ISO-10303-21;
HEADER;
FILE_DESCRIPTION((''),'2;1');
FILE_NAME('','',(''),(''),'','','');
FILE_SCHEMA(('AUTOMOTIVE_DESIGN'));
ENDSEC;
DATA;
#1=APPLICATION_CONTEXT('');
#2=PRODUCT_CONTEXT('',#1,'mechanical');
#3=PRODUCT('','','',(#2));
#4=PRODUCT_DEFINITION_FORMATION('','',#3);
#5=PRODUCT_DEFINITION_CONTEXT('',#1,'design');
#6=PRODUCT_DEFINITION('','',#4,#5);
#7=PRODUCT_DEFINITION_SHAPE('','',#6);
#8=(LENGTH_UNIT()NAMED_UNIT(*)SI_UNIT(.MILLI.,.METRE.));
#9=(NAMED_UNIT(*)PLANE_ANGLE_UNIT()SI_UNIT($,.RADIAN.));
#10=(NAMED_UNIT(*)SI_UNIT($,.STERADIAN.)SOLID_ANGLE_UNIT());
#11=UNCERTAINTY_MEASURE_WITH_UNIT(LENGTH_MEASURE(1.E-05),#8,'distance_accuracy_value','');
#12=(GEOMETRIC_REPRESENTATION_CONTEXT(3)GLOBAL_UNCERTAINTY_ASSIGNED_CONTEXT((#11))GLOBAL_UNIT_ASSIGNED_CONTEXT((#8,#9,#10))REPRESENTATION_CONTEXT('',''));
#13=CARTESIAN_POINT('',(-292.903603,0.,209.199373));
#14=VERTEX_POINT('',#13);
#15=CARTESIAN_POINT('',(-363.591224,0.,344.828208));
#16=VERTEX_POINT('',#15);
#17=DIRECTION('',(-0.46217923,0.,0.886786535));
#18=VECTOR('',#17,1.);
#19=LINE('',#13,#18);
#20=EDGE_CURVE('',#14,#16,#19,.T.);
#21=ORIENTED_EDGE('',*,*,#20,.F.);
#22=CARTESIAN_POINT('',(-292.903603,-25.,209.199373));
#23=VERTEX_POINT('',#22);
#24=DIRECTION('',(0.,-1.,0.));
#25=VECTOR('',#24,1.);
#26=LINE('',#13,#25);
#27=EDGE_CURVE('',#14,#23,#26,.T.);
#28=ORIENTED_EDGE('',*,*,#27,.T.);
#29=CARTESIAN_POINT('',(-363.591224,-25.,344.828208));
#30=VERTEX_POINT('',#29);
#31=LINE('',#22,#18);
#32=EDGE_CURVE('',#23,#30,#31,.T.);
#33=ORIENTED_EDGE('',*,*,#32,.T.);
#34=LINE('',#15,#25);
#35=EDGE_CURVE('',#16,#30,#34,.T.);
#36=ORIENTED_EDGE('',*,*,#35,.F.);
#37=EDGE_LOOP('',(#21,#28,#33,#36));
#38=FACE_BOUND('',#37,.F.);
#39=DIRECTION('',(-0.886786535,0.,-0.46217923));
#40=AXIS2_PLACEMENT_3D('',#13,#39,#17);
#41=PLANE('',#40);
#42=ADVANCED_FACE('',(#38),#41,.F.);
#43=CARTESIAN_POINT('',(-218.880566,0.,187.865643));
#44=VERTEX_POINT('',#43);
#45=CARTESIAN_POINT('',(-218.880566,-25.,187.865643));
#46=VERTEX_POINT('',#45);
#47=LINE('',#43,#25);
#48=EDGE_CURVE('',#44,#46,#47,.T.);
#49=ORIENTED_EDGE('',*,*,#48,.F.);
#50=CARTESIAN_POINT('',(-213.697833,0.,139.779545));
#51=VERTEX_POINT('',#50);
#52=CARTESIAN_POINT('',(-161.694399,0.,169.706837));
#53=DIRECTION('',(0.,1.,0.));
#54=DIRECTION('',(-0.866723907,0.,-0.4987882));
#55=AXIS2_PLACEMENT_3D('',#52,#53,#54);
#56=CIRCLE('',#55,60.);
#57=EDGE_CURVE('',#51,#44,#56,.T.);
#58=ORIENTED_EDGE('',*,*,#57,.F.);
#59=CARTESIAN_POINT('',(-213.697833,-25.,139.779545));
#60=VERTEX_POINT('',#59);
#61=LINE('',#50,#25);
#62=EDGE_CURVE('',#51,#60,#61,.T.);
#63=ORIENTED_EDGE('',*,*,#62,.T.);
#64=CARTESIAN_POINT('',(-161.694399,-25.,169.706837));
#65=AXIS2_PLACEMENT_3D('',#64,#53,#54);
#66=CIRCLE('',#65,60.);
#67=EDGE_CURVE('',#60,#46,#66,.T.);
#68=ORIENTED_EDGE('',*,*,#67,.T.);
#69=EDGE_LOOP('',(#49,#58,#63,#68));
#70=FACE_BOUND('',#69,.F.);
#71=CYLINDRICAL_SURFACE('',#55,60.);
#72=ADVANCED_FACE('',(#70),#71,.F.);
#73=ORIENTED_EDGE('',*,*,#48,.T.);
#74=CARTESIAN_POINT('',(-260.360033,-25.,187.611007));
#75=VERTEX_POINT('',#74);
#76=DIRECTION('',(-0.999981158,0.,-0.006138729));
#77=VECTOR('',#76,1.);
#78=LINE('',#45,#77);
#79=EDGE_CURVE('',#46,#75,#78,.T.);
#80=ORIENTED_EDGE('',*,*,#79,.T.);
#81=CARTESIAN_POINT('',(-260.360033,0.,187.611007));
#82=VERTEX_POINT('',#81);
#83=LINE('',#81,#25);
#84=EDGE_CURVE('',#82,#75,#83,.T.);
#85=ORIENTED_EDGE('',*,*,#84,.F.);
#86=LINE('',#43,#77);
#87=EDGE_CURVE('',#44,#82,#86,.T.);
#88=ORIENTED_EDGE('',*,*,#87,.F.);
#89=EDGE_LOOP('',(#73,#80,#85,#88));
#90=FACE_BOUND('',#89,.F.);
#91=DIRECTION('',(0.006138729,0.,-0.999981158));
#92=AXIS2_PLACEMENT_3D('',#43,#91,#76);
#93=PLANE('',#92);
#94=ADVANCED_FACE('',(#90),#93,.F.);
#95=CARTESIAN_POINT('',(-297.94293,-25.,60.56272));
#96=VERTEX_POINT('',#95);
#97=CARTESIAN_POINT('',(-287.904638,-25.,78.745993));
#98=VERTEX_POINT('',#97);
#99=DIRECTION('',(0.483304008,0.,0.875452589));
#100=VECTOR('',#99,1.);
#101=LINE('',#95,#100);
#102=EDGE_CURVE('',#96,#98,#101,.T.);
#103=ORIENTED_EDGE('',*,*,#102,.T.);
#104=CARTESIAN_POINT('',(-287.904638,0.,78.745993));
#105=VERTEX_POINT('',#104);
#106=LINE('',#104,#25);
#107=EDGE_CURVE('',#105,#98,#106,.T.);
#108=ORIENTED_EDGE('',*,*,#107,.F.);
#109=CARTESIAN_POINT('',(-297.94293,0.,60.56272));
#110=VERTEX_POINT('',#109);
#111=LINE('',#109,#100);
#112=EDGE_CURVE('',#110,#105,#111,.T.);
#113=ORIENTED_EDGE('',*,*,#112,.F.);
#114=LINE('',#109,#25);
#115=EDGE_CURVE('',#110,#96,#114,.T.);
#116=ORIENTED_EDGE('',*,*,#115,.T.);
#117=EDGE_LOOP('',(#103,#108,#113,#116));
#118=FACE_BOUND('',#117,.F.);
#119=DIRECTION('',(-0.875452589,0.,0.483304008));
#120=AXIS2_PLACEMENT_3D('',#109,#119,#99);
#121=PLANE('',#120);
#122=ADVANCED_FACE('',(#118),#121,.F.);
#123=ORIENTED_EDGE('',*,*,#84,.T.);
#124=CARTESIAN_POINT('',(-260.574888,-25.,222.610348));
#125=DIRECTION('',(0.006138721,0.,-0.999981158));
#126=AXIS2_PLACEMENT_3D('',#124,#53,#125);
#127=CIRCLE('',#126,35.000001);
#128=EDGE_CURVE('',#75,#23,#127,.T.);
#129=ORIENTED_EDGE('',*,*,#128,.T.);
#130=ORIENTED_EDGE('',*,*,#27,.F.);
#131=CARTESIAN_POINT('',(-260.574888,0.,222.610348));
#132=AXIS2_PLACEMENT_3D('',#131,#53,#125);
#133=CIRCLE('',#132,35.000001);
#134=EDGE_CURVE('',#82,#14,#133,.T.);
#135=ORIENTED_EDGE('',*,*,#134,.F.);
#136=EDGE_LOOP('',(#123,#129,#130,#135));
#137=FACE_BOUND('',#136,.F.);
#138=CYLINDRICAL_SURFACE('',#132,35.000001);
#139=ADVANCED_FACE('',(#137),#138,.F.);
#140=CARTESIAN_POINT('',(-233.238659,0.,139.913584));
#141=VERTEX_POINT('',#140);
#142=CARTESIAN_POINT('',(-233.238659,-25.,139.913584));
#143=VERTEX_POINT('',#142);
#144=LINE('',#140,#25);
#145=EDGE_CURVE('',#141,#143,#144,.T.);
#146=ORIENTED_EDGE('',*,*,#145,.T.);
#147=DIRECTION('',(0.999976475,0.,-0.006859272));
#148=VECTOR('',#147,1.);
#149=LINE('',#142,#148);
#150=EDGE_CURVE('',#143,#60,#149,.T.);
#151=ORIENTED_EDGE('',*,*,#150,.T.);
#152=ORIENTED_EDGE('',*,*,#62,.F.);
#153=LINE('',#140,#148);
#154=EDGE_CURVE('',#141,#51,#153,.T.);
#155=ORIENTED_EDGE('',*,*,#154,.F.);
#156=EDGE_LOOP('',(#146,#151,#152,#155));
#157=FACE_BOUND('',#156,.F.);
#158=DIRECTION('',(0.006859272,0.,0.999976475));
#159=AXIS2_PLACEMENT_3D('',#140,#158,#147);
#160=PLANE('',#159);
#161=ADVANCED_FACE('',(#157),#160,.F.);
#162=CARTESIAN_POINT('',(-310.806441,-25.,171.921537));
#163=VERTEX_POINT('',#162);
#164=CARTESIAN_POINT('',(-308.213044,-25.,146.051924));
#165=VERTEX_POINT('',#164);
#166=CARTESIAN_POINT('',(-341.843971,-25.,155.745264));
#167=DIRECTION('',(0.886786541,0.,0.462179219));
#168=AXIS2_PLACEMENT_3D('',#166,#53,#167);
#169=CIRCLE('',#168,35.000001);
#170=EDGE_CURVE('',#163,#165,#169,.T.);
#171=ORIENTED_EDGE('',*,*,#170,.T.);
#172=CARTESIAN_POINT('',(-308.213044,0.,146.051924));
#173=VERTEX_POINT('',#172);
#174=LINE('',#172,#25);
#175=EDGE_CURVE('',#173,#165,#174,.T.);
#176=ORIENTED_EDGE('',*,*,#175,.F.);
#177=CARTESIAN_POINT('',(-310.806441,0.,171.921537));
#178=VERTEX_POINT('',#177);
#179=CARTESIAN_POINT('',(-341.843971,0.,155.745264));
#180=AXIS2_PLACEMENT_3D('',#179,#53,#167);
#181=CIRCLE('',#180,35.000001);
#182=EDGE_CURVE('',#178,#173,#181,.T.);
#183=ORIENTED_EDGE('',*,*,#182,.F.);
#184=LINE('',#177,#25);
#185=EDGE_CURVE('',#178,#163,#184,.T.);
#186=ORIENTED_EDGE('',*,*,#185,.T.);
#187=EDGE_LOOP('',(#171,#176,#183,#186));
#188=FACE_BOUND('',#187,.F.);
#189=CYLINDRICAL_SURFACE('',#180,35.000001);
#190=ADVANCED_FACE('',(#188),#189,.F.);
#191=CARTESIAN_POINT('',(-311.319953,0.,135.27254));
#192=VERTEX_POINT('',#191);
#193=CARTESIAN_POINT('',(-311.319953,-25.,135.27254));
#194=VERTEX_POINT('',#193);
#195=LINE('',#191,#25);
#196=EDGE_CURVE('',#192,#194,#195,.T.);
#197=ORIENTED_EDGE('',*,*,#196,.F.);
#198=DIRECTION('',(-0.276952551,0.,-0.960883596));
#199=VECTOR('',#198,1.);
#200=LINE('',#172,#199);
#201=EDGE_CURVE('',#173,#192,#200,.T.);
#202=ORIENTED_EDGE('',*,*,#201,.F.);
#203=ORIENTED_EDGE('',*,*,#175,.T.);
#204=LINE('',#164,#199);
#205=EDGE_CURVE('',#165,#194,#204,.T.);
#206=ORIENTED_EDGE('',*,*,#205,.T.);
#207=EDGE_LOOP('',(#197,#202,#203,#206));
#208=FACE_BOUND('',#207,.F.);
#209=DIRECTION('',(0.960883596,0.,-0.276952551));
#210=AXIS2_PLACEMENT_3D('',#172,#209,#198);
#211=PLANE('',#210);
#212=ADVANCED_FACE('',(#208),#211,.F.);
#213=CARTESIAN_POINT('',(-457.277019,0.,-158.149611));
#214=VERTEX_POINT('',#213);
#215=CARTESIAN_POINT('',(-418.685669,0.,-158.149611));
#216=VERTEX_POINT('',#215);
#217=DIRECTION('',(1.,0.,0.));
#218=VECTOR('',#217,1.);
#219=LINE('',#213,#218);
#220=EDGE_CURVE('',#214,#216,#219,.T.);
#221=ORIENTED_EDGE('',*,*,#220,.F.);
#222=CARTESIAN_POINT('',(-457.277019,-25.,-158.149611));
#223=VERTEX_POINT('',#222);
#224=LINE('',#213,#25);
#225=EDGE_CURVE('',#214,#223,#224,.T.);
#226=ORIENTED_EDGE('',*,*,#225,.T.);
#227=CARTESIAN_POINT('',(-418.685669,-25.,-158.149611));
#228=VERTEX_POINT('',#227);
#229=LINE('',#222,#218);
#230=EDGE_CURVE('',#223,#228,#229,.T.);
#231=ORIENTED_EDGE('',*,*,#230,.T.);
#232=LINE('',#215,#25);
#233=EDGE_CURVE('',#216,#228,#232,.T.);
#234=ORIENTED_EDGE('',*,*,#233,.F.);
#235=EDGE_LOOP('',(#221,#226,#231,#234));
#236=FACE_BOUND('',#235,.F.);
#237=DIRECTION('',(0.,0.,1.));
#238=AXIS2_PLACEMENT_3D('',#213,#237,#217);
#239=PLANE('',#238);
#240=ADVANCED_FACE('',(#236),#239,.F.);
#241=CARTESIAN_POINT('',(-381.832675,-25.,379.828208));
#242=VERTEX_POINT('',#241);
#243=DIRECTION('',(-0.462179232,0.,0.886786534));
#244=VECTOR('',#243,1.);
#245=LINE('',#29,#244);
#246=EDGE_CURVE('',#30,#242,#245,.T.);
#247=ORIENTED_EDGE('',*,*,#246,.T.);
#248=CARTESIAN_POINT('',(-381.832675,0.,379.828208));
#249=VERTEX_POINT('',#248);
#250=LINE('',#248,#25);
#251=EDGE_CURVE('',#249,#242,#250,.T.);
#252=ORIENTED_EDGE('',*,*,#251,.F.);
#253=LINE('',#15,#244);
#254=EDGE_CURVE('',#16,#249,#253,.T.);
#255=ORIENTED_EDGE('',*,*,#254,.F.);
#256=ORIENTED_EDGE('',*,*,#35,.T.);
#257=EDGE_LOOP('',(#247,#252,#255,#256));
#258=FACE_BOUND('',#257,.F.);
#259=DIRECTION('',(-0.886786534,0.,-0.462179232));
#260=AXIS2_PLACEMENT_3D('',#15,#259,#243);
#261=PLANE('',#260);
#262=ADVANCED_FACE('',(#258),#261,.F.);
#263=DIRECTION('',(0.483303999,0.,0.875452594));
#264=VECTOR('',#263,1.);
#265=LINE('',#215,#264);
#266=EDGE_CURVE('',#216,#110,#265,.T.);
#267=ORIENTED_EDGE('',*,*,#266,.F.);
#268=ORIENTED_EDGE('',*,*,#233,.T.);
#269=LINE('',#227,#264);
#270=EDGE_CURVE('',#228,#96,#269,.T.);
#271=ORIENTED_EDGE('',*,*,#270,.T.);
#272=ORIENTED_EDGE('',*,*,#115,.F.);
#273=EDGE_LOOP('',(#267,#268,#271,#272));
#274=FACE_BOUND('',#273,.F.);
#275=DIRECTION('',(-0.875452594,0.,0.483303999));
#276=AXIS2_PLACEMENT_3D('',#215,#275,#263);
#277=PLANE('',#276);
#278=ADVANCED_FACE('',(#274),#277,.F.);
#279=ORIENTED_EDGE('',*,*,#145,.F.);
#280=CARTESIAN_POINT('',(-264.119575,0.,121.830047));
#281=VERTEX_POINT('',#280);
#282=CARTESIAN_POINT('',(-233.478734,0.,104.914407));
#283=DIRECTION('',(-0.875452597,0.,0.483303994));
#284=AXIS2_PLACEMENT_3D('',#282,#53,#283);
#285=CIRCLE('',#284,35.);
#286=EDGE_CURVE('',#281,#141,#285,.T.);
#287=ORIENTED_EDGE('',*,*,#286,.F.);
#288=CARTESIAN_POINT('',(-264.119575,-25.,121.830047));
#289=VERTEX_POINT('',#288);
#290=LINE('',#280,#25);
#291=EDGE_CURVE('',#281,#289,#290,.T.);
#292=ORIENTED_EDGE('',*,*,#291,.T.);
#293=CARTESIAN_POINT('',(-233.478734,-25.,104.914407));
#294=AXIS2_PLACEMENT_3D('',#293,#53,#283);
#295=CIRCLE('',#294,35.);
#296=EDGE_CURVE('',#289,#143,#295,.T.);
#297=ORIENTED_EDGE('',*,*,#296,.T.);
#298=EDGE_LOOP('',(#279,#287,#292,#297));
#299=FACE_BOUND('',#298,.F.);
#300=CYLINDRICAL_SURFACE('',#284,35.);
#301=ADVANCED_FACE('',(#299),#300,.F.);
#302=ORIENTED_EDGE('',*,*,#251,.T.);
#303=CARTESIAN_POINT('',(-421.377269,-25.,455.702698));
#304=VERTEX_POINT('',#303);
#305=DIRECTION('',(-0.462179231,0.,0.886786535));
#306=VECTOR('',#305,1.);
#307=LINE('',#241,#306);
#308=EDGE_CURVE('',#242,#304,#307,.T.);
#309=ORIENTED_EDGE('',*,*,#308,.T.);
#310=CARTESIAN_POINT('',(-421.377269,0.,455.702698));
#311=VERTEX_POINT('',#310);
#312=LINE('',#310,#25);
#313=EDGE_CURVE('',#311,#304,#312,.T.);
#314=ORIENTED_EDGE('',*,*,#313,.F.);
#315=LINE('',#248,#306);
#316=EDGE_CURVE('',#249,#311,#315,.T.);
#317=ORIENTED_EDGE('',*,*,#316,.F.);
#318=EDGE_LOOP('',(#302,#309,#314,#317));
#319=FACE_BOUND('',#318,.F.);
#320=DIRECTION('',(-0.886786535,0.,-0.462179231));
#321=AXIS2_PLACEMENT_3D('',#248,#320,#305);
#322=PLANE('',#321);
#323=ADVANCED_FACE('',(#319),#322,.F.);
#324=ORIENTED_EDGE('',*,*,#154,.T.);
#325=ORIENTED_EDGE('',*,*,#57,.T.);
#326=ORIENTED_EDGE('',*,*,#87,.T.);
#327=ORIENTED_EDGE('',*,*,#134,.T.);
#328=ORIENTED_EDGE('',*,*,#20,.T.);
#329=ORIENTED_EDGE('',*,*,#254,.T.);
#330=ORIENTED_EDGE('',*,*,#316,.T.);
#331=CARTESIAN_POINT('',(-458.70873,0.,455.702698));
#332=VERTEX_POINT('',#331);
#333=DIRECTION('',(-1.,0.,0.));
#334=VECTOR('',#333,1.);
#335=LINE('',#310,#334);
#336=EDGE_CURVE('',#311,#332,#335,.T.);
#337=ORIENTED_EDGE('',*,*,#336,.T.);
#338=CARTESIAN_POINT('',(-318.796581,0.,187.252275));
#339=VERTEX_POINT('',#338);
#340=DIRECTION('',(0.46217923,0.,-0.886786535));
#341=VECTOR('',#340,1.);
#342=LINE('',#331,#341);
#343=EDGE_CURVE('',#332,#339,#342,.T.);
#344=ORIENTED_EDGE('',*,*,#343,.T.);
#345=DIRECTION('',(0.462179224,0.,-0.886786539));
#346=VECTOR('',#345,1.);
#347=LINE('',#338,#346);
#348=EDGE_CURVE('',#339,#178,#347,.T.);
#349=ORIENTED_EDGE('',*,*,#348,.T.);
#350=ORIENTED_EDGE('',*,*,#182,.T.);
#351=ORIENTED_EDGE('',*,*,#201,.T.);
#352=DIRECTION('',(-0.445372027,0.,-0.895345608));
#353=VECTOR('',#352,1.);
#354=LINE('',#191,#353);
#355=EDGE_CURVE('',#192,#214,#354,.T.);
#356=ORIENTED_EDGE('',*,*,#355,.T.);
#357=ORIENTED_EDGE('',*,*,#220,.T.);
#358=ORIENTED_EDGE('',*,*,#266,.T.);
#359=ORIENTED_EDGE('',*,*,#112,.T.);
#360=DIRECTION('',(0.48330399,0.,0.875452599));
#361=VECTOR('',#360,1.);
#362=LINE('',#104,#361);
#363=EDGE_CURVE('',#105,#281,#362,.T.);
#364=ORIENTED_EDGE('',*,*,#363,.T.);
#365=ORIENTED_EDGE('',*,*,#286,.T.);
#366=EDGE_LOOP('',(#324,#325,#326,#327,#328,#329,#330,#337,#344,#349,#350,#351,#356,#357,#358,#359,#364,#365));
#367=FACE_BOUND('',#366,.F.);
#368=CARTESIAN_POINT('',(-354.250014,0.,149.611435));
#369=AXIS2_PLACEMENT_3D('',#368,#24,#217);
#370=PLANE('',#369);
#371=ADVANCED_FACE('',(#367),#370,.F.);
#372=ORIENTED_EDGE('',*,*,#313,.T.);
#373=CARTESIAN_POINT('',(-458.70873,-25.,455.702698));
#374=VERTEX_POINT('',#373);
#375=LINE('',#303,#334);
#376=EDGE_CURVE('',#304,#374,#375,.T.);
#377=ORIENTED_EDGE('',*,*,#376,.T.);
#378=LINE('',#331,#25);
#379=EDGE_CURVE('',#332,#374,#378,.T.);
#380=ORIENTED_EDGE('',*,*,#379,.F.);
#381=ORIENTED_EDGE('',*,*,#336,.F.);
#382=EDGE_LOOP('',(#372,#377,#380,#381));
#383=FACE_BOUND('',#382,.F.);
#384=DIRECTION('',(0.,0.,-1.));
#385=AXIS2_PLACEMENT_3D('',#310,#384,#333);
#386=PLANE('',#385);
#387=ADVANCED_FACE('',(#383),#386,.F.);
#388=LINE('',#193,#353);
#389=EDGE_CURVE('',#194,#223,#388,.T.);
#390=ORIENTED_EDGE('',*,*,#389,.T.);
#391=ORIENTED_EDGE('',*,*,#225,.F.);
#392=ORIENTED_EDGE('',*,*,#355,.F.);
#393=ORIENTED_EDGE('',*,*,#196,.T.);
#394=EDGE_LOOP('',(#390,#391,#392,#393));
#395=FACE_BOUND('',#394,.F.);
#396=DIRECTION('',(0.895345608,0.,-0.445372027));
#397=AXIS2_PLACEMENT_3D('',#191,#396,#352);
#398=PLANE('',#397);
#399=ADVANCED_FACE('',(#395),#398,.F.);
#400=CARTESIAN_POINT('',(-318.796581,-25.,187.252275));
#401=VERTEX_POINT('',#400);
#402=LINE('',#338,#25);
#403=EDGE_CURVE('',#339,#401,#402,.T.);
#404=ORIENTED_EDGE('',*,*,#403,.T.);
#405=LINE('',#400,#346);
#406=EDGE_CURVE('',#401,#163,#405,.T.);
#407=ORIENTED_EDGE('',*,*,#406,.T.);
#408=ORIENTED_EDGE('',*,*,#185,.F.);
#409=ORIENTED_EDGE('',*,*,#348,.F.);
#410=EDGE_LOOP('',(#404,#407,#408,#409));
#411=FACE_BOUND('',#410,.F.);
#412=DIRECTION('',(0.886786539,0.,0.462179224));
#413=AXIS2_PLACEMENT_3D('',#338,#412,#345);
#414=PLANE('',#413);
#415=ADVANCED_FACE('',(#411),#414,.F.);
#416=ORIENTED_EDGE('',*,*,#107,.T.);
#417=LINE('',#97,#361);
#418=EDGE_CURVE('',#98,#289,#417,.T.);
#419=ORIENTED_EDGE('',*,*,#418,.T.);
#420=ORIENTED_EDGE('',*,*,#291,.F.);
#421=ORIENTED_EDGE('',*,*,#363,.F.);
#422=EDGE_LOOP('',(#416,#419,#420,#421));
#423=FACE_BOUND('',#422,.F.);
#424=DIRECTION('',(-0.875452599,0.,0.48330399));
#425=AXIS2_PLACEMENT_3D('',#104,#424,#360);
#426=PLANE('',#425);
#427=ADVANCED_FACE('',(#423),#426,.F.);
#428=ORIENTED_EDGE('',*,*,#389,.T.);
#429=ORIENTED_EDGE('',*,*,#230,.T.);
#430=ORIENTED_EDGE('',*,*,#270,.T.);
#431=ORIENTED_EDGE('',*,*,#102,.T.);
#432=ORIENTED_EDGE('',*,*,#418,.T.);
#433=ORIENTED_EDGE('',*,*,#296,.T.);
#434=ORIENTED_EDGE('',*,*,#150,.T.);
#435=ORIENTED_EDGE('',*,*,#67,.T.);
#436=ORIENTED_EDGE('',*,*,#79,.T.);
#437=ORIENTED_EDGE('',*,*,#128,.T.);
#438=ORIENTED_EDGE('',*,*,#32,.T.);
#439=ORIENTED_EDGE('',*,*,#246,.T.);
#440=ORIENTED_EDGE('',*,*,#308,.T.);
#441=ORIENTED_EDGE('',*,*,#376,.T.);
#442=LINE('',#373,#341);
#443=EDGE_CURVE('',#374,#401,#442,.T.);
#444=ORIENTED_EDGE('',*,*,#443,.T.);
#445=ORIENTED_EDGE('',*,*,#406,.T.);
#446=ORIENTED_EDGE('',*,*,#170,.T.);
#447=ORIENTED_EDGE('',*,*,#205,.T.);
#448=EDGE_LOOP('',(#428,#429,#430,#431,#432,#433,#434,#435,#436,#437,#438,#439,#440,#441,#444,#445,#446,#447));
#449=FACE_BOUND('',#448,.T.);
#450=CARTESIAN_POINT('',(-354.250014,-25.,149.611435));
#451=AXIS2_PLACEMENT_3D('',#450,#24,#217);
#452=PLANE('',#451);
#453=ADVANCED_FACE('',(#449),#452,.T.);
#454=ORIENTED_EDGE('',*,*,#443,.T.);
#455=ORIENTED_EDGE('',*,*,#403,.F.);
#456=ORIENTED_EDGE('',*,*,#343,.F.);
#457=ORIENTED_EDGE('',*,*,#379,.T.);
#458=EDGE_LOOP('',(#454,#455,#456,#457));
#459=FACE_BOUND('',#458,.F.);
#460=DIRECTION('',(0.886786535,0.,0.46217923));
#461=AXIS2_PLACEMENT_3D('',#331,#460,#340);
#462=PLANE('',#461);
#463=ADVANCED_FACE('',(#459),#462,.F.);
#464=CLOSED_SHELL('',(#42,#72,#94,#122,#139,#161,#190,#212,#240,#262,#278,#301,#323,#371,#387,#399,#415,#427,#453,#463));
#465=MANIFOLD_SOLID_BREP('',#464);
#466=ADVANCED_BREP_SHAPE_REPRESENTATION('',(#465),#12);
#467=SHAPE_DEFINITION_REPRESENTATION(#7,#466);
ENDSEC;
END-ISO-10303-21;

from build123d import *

# Parameters (mm, degrees)
F2_DEPTH = 25


with BuildPart() as f2:
    # F1 (on face) → F2 (new body)
    with BuildSketch(Plane.XZ):
        with BuildLine():
            Line((-297.94293, 60.56272), (-287.904638, 78.745993))
            Line((-287.904638, 78.745993), (-264.119575, 121.830047))
            ThreePointArc((-264.119575, 121.830047), (-251.165034, 135.11697), (-233.238659, 139.913584))
            Line((-233.238659, 139.913584), (-213.697833, 139.779545))
            ThreePointArc((-213.697833, 139.779545), (-221.348908, 163.277257), (-218.880566, 187.865643))
            Line((-218.880566, 187.865643), (-260.360033, 187.611007))
            ThreePointArc((-260.360033, 187.611007), (-279.922741, 193.444261), (-292.903603, 209.199373))
            Line((-292.903603, 209.199373), (-363.591224, 344.828208))
            Line((-363.591224, 344.828208), (-381.832675, 379.828208))
            Line((-381.832675, 379.828208), (-421.377269, 455.702698))
            Line((-421.377269, 455.702698), (-458.70873, 455.702698))
            Line((-458.70873, 455.702698), (-318.796581, 187.252275))
            Line((-318.796581, 187.252275), (-310.806441, 171.921537))
            ThreePointArc((-310.806441, 171.921537), (-307.018527, 159.236472), (-308.213044, 146.051924))
            Line((-308.213044, 146.051924), (-311.319953, 135.27254))
            Line((-311.319953, 135.27254), (-457.277019, -158.149611))
            Line((-457.277019, -158.149611), (-418.685669, -158.149611))
            Line((-418.685669, -158.149611), (-297.94293, 60.56272))
        make_face()
    extrude(amount=F2_DEPTH)


solid = f2.part
